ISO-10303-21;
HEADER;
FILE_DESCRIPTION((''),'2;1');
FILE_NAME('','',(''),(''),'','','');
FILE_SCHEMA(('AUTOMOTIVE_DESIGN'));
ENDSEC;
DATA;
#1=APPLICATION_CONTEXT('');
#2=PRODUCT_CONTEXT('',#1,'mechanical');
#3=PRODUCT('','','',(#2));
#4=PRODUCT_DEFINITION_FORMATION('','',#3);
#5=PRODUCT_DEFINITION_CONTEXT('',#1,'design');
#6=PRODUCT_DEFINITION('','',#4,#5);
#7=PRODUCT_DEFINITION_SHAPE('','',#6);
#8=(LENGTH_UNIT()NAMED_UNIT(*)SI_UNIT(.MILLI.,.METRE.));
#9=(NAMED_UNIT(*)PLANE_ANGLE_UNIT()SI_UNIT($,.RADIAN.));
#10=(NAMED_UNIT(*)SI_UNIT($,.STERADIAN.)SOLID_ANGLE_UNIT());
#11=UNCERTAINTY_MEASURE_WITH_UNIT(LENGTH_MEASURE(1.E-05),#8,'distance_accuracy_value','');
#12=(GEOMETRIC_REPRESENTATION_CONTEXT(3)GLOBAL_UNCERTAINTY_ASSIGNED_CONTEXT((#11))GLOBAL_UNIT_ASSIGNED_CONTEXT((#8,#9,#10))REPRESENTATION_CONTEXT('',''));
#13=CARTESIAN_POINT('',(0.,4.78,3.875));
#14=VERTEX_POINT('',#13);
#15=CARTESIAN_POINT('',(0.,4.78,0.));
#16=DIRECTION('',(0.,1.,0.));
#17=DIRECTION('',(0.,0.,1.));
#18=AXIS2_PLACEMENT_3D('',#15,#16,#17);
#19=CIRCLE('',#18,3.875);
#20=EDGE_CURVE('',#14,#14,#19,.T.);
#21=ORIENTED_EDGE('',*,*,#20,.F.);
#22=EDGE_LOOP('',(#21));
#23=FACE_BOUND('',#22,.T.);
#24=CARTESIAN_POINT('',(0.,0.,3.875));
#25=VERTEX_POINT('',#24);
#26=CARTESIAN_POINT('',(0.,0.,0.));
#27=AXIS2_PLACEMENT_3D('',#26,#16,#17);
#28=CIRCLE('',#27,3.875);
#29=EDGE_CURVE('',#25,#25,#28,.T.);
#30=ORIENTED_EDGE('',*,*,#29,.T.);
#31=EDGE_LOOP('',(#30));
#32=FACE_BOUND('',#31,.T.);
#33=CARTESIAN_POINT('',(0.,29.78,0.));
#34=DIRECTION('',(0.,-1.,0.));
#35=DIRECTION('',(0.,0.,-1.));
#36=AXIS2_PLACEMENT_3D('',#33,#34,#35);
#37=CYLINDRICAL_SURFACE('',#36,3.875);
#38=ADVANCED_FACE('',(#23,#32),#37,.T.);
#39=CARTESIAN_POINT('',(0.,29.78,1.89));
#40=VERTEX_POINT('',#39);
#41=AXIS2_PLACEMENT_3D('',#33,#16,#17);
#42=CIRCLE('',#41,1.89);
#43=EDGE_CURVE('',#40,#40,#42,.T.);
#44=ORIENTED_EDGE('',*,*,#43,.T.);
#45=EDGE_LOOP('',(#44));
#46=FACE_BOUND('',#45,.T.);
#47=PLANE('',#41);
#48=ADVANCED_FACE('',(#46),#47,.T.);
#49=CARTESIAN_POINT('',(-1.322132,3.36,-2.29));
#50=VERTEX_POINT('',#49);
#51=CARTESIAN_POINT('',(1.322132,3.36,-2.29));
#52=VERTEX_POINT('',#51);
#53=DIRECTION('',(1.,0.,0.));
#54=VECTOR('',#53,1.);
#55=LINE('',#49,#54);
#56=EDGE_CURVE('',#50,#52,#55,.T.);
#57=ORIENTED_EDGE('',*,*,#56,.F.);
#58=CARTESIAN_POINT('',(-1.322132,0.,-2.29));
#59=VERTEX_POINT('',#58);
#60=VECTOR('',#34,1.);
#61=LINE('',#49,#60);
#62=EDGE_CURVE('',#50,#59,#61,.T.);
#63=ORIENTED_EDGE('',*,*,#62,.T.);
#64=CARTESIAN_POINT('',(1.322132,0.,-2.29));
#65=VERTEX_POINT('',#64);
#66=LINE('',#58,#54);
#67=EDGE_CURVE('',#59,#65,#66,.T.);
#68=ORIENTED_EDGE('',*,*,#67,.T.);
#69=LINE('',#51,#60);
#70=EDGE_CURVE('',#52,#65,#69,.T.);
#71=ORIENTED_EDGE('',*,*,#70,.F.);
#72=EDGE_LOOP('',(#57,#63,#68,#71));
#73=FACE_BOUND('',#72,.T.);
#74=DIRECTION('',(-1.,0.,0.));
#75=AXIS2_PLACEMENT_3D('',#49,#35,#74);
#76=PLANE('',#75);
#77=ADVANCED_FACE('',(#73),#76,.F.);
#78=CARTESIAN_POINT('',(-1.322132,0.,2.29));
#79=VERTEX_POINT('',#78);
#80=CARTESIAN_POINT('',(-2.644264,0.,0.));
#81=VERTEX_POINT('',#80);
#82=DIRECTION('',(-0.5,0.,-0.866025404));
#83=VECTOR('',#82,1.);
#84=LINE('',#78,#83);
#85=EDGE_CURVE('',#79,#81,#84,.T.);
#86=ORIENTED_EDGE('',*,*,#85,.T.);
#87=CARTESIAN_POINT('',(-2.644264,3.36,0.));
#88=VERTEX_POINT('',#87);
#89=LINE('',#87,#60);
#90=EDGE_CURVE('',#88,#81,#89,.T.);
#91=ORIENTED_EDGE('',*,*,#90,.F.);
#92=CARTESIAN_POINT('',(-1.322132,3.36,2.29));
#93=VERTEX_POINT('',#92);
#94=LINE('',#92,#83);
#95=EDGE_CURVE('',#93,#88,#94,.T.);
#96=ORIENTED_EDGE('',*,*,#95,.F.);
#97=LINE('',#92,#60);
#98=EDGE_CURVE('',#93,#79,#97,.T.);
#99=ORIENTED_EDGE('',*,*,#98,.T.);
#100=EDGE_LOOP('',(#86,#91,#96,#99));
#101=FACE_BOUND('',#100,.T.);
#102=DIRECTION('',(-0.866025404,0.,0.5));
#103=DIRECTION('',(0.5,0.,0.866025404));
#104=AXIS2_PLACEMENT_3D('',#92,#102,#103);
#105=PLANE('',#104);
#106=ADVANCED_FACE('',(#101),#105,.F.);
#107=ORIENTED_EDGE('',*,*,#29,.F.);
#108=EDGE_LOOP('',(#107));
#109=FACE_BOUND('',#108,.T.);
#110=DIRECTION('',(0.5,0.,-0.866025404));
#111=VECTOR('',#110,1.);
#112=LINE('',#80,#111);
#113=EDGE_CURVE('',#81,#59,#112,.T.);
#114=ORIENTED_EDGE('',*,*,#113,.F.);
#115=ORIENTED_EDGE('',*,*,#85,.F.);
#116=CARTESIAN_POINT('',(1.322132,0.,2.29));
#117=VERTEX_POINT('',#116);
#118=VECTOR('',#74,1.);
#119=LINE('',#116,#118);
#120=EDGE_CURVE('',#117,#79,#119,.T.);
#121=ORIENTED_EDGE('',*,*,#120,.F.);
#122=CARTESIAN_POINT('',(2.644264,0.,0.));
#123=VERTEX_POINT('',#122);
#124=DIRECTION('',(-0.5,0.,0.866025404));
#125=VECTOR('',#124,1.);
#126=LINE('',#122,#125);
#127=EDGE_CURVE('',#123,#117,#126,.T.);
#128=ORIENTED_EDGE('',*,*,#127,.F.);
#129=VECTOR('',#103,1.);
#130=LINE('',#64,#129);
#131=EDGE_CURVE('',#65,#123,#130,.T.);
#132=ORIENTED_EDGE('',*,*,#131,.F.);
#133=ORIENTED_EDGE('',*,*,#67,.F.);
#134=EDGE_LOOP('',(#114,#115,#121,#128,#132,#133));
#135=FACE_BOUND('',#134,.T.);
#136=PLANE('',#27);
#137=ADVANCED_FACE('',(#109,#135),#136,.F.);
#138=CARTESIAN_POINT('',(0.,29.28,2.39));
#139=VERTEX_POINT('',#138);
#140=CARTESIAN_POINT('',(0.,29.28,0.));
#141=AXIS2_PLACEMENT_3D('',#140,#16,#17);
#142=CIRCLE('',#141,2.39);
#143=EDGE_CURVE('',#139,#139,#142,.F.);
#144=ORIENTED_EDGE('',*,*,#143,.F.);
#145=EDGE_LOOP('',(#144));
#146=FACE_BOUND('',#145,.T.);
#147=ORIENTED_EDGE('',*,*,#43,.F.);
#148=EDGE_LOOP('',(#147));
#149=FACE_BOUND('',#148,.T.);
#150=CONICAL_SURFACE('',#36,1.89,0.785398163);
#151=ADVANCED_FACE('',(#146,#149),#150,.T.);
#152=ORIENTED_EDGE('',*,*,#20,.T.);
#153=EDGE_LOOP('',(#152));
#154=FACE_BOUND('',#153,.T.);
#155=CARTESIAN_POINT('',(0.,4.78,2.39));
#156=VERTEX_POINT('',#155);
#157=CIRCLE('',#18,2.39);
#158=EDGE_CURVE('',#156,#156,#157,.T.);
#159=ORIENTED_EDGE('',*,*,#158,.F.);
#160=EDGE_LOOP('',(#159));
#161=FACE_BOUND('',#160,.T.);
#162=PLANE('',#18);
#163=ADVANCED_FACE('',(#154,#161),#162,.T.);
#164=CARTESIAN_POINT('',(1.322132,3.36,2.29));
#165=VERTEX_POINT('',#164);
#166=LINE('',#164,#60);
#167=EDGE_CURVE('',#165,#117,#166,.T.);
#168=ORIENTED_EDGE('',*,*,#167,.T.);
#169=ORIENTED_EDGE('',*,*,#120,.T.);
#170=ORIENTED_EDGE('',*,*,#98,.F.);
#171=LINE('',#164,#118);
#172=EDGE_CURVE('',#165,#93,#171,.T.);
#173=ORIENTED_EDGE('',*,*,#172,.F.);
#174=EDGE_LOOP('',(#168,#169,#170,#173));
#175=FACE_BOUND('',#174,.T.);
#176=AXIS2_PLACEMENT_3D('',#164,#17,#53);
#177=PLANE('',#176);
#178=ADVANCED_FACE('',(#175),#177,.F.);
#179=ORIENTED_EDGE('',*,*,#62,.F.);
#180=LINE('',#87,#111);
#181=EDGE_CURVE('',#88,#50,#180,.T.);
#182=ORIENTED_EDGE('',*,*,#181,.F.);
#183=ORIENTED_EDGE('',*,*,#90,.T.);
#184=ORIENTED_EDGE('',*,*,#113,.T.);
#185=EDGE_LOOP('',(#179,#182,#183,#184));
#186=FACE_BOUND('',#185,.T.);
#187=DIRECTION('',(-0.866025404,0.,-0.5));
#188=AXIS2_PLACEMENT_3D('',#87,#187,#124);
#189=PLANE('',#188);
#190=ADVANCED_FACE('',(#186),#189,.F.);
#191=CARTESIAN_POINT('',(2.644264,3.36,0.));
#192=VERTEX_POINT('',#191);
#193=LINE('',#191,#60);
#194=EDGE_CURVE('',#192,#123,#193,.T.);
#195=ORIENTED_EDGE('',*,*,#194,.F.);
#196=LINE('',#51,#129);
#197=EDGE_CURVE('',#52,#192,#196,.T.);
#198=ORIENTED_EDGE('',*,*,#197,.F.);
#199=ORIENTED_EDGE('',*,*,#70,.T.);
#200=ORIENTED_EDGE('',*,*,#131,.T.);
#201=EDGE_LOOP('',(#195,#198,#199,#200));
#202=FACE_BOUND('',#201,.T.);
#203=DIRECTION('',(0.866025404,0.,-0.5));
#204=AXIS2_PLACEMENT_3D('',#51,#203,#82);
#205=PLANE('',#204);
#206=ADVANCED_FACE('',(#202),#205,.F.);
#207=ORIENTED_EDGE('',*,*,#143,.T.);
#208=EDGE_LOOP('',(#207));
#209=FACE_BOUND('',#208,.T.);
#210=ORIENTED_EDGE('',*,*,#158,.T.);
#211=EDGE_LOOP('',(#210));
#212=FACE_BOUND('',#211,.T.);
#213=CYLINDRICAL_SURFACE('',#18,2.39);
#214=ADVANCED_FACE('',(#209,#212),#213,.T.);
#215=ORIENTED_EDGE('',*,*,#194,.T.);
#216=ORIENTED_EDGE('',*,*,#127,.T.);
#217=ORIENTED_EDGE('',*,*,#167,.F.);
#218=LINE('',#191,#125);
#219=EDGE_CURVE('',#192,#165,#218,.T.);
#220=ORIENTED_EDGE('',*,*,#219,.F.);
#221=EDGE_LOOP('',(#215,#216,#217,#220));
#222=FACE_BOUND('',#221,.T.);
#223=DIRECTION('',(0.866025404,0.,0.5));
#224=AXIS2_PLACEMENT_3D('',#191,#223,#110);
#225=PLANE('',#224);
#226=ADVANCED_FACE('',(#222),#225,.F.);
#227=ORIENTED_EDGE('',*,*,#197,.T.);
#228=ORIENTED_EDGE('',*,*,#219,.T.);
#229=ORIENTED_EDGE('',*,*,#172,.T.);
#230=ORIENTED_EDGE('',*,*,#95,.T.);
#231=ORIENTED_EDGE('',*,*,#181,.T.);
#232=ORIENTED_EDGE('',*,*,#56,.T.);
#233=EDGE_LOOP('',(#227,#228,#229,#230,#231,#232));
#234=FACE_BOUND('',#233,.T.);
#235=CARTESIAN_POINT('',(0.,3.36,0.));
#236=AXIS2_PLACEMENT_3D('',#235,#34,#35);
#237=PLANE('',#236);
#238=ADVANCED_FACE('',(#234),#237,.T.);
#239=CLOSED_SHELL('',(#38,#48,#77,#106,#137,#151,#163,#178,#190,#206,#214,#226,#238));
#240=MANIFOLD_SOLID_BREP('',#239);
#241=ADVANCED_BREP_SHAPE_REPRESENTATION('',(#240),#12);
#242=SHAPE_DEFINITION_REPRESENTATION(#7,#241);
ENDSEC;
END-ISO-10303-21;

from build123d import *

# Parameters (mm, degrees)
SKETCH1_R           = 3.875
BOSS_EXTRUDE1_DEPTH = 29.78
SKETCH2_OUTSIDE_W   = 16.096
SKETCH2_OUTSIDE_H   = 16.096
SKETCH2_OUTSIDE_R   = 2.39
CUT_EXTRUDE1_DEPTH  = 25
CHAMFER1_SIZE       = 0.5
CUT_EXTRUDE2_DEPTH  = 3.36


with BuildPart() as part:
    # Sketch1 → Boss-Extrude1 (new body)
    with BuildSketch(Plane(origin=(0, 0, 0), x_dir=(1, 0, 0), z_dir=(0, 1, 0))):
        Circle(SKETCH1_R)
    extrude(amount=BOSS_EXTRUDE1_DEPTH)

    # Sketch2 outside → Cut-Extrude1 (cut)
    with BuildSketch(Plane(origin=(0, 29.78, 0), x_dir=(1, 0, 0), z_dir=(0, 1, 0))):
        Rectangle(SKETCH2_OUTSIDE_W, SKETCH2_OUTSIDE_H)
        Circle(SKETCH2_OUTSIDE_R, mode=Mode.SUBTRACT)
    extrude(amount=-CUT_EXTRUDE1_DEPTH, mode=Mode.SUBTRACT)

    # Chamfer1
    chamfer1_edges = [part.edges().sort_by_distance(p)[0] for p in [
        (-2.39, 29.78, 0),
    ]]
    chamfer(chamfer1_edges, length=CHAMFER1_SIZE)

    # Sketch8 → Cut-Extrude2 (cut)
    with BuildSketch(Plane.XZ):
        Polygon((2.644264233, 0), (1.322132116, 2.29), (-1.322132116, 2.29), (-2.644264233, 0), (-1.322132116, -2.29), (1.322132116, -2.29), align=None)
    extrude(amount=-CUT_EXTRUDE2_DEPTH, mode=Mode.SUBTRACT)


solid = part.part
